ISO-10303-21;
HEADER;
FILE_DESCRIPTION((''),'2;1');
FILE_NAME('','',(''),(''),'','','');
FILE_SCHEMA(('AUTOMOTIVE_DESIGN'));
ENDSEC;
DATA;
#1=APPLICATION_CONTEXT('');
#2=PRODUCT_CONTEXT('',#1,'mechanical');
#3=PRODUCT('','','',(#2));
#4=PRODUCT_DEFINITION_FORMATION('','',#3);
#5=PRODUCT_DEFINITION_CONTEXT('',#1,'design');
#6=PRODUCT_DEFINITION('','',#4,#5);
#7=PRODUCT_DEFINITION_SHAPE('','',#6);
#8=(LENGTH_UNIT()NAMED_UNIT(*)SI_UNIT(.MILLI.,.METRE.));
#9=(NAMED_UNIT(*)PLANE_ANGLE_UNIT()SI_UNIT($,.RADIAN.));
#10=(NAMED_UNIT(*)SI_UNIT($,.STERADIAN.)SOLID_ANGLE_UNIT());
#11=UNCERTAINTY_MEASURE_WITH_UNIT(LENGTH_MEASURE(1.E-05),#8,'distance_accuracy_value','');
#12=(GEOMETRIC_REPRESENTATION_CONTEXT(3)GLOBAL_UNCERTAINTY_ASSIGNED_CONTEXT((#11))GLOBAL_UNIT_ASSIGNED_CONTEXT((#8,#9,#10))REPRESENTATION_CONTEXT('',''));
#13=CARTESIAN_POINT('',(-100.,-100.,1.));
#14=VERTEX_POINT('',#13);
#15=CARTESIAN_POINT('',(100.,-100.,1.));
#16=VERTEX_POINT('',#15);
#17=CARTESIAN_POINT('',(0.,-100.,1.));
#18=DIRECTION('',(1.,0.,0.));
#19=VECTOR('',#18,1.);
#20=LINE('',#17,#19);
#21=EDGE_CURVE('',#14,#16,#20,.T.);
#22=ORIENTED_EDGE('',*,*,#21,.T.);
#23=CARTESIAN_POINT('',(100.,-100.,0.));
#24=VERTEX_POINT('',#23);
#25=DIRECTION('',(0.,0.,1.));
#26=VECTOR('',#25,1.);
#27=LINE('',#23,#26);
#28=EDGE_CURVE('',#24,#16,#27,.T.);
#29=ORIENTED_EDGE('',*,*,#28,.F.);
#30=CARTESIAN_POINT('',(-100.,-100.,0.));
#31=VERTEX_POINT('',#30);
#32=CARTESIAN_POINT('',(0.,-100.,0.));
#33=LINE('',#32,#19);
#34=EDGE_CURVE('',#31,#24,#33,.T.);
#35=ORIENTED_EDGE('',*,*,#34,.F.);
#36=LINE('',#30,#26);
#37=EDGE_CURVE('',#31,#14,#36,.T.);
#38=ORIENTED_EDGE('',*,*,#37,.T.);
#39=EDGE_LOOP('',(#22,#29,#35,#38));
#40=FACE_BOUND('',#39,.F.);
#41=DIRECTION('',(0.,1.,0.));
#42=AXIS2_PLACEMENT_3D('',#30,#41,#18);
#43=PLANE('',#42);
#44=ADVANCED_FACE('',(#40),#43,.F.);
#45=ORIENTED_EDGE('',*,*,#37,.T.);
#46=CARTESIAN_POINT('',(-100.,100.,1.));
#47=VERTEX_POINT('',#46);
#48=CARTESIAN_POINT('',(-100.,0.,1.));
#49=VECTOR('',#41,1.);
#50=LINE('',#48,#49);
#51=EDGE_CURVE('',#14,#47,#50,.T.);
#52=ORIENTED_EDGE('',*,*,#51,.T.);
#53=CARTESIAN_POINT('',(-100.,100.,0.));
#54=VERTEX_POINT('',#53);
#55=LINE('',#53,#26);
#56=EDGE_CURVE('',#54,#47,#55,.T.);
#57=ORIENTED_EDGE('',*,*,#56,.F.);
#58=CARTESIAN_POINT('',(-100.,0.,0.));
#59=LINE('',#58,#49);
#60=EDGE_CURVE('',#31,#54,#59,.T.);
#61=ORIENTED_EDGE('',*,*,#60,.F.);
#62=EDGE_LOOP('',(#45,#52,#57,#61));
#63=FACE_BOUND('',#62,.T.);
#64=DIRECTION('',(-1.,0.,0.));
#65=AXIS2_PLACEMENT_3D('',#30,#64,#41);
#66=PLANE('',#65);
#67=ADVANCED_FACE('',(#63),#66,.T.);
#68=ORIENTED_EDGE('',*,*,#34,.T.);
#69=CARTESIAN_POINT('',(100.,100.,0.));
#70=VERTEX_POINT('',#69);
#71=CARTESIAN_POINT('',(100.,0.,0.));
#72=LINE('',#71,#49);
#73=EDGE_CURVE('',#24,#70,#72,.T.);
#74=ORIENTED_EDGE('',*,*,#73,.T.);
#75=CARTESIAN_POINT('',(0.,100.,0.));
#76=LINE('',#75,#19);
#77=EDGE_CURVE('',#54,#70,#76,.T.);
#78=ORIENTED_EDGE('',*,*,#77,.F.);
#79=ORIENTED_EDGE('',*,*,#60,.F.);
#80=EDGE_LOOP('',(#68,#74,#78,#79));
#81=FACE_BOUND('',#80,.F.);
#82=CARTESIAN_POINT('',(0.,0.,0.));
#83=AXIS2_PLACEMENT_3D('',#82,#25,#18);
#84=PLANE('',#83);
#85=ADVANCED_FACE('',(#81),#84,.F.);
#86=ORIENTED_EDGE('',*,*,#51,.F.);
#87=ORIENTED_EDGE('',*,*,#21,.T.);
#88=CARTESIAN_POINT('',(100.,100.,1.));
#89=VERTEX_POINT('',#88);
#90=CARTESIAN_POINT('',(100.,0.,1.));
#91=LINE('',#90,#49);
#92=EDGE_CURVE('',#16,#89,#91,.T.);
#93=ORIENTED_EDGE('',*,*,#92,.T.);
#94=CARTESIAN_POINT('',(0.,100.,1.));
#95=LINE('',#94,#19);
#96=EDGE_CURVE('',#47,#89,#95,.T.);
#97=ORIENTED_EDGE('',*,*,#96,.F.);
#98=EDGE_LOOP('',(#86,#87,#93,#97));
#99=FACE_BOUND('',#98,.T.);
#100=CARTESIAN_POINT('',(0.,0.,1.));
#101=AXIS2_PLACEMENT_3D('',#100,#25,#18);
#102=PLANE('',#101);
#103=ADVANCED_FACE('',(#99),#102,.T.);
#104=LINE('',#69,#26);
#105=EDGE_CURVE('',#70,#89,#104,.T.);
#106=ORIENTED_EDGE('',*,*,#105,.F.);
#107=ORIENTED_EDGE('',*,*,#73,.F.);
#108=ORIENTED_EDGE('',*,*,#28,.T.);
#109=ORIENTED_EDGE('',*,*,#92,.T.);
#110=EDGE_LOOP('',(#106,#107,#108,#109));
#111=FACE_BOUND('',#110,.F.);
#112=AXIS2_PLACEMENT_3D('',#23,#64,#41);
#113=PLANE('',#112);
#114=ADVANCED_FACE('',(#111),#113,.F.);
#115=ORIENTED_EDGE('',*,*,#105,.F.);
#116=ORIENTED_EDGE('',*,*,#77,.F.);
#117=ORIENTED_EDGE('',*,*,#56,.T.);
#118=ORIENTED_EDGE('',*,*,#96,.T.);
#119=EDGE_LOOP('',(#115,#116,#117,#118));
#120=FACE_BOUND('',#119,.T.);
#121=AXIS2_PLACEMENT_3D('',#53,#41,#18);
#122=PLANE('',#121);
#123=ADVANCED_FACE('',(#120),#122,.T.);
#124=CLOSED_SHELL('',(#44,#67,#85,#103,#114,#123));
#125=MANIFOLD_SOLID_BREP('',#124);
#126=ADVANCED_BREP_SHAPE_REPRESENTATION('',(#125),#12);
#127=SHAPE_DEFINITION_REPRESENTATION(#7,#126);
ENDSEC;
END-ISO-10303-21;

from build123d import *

# Parameters (mm, degrees)
SKETCH_1_W      = 200
SKETCH_1_H      = 200
EXTRUDE_1_DEPTH = 1


with BuildPart() as part:
    # 草图1 → 凸台-拉伸1 (new body)
    with BuildSketch(Plane.XY):
        Rectangle(SKETCH_1_W, SKETCH_1_H)
    extrude(amount=EXTRUDE_1_DEPTH)


solid = part.part
